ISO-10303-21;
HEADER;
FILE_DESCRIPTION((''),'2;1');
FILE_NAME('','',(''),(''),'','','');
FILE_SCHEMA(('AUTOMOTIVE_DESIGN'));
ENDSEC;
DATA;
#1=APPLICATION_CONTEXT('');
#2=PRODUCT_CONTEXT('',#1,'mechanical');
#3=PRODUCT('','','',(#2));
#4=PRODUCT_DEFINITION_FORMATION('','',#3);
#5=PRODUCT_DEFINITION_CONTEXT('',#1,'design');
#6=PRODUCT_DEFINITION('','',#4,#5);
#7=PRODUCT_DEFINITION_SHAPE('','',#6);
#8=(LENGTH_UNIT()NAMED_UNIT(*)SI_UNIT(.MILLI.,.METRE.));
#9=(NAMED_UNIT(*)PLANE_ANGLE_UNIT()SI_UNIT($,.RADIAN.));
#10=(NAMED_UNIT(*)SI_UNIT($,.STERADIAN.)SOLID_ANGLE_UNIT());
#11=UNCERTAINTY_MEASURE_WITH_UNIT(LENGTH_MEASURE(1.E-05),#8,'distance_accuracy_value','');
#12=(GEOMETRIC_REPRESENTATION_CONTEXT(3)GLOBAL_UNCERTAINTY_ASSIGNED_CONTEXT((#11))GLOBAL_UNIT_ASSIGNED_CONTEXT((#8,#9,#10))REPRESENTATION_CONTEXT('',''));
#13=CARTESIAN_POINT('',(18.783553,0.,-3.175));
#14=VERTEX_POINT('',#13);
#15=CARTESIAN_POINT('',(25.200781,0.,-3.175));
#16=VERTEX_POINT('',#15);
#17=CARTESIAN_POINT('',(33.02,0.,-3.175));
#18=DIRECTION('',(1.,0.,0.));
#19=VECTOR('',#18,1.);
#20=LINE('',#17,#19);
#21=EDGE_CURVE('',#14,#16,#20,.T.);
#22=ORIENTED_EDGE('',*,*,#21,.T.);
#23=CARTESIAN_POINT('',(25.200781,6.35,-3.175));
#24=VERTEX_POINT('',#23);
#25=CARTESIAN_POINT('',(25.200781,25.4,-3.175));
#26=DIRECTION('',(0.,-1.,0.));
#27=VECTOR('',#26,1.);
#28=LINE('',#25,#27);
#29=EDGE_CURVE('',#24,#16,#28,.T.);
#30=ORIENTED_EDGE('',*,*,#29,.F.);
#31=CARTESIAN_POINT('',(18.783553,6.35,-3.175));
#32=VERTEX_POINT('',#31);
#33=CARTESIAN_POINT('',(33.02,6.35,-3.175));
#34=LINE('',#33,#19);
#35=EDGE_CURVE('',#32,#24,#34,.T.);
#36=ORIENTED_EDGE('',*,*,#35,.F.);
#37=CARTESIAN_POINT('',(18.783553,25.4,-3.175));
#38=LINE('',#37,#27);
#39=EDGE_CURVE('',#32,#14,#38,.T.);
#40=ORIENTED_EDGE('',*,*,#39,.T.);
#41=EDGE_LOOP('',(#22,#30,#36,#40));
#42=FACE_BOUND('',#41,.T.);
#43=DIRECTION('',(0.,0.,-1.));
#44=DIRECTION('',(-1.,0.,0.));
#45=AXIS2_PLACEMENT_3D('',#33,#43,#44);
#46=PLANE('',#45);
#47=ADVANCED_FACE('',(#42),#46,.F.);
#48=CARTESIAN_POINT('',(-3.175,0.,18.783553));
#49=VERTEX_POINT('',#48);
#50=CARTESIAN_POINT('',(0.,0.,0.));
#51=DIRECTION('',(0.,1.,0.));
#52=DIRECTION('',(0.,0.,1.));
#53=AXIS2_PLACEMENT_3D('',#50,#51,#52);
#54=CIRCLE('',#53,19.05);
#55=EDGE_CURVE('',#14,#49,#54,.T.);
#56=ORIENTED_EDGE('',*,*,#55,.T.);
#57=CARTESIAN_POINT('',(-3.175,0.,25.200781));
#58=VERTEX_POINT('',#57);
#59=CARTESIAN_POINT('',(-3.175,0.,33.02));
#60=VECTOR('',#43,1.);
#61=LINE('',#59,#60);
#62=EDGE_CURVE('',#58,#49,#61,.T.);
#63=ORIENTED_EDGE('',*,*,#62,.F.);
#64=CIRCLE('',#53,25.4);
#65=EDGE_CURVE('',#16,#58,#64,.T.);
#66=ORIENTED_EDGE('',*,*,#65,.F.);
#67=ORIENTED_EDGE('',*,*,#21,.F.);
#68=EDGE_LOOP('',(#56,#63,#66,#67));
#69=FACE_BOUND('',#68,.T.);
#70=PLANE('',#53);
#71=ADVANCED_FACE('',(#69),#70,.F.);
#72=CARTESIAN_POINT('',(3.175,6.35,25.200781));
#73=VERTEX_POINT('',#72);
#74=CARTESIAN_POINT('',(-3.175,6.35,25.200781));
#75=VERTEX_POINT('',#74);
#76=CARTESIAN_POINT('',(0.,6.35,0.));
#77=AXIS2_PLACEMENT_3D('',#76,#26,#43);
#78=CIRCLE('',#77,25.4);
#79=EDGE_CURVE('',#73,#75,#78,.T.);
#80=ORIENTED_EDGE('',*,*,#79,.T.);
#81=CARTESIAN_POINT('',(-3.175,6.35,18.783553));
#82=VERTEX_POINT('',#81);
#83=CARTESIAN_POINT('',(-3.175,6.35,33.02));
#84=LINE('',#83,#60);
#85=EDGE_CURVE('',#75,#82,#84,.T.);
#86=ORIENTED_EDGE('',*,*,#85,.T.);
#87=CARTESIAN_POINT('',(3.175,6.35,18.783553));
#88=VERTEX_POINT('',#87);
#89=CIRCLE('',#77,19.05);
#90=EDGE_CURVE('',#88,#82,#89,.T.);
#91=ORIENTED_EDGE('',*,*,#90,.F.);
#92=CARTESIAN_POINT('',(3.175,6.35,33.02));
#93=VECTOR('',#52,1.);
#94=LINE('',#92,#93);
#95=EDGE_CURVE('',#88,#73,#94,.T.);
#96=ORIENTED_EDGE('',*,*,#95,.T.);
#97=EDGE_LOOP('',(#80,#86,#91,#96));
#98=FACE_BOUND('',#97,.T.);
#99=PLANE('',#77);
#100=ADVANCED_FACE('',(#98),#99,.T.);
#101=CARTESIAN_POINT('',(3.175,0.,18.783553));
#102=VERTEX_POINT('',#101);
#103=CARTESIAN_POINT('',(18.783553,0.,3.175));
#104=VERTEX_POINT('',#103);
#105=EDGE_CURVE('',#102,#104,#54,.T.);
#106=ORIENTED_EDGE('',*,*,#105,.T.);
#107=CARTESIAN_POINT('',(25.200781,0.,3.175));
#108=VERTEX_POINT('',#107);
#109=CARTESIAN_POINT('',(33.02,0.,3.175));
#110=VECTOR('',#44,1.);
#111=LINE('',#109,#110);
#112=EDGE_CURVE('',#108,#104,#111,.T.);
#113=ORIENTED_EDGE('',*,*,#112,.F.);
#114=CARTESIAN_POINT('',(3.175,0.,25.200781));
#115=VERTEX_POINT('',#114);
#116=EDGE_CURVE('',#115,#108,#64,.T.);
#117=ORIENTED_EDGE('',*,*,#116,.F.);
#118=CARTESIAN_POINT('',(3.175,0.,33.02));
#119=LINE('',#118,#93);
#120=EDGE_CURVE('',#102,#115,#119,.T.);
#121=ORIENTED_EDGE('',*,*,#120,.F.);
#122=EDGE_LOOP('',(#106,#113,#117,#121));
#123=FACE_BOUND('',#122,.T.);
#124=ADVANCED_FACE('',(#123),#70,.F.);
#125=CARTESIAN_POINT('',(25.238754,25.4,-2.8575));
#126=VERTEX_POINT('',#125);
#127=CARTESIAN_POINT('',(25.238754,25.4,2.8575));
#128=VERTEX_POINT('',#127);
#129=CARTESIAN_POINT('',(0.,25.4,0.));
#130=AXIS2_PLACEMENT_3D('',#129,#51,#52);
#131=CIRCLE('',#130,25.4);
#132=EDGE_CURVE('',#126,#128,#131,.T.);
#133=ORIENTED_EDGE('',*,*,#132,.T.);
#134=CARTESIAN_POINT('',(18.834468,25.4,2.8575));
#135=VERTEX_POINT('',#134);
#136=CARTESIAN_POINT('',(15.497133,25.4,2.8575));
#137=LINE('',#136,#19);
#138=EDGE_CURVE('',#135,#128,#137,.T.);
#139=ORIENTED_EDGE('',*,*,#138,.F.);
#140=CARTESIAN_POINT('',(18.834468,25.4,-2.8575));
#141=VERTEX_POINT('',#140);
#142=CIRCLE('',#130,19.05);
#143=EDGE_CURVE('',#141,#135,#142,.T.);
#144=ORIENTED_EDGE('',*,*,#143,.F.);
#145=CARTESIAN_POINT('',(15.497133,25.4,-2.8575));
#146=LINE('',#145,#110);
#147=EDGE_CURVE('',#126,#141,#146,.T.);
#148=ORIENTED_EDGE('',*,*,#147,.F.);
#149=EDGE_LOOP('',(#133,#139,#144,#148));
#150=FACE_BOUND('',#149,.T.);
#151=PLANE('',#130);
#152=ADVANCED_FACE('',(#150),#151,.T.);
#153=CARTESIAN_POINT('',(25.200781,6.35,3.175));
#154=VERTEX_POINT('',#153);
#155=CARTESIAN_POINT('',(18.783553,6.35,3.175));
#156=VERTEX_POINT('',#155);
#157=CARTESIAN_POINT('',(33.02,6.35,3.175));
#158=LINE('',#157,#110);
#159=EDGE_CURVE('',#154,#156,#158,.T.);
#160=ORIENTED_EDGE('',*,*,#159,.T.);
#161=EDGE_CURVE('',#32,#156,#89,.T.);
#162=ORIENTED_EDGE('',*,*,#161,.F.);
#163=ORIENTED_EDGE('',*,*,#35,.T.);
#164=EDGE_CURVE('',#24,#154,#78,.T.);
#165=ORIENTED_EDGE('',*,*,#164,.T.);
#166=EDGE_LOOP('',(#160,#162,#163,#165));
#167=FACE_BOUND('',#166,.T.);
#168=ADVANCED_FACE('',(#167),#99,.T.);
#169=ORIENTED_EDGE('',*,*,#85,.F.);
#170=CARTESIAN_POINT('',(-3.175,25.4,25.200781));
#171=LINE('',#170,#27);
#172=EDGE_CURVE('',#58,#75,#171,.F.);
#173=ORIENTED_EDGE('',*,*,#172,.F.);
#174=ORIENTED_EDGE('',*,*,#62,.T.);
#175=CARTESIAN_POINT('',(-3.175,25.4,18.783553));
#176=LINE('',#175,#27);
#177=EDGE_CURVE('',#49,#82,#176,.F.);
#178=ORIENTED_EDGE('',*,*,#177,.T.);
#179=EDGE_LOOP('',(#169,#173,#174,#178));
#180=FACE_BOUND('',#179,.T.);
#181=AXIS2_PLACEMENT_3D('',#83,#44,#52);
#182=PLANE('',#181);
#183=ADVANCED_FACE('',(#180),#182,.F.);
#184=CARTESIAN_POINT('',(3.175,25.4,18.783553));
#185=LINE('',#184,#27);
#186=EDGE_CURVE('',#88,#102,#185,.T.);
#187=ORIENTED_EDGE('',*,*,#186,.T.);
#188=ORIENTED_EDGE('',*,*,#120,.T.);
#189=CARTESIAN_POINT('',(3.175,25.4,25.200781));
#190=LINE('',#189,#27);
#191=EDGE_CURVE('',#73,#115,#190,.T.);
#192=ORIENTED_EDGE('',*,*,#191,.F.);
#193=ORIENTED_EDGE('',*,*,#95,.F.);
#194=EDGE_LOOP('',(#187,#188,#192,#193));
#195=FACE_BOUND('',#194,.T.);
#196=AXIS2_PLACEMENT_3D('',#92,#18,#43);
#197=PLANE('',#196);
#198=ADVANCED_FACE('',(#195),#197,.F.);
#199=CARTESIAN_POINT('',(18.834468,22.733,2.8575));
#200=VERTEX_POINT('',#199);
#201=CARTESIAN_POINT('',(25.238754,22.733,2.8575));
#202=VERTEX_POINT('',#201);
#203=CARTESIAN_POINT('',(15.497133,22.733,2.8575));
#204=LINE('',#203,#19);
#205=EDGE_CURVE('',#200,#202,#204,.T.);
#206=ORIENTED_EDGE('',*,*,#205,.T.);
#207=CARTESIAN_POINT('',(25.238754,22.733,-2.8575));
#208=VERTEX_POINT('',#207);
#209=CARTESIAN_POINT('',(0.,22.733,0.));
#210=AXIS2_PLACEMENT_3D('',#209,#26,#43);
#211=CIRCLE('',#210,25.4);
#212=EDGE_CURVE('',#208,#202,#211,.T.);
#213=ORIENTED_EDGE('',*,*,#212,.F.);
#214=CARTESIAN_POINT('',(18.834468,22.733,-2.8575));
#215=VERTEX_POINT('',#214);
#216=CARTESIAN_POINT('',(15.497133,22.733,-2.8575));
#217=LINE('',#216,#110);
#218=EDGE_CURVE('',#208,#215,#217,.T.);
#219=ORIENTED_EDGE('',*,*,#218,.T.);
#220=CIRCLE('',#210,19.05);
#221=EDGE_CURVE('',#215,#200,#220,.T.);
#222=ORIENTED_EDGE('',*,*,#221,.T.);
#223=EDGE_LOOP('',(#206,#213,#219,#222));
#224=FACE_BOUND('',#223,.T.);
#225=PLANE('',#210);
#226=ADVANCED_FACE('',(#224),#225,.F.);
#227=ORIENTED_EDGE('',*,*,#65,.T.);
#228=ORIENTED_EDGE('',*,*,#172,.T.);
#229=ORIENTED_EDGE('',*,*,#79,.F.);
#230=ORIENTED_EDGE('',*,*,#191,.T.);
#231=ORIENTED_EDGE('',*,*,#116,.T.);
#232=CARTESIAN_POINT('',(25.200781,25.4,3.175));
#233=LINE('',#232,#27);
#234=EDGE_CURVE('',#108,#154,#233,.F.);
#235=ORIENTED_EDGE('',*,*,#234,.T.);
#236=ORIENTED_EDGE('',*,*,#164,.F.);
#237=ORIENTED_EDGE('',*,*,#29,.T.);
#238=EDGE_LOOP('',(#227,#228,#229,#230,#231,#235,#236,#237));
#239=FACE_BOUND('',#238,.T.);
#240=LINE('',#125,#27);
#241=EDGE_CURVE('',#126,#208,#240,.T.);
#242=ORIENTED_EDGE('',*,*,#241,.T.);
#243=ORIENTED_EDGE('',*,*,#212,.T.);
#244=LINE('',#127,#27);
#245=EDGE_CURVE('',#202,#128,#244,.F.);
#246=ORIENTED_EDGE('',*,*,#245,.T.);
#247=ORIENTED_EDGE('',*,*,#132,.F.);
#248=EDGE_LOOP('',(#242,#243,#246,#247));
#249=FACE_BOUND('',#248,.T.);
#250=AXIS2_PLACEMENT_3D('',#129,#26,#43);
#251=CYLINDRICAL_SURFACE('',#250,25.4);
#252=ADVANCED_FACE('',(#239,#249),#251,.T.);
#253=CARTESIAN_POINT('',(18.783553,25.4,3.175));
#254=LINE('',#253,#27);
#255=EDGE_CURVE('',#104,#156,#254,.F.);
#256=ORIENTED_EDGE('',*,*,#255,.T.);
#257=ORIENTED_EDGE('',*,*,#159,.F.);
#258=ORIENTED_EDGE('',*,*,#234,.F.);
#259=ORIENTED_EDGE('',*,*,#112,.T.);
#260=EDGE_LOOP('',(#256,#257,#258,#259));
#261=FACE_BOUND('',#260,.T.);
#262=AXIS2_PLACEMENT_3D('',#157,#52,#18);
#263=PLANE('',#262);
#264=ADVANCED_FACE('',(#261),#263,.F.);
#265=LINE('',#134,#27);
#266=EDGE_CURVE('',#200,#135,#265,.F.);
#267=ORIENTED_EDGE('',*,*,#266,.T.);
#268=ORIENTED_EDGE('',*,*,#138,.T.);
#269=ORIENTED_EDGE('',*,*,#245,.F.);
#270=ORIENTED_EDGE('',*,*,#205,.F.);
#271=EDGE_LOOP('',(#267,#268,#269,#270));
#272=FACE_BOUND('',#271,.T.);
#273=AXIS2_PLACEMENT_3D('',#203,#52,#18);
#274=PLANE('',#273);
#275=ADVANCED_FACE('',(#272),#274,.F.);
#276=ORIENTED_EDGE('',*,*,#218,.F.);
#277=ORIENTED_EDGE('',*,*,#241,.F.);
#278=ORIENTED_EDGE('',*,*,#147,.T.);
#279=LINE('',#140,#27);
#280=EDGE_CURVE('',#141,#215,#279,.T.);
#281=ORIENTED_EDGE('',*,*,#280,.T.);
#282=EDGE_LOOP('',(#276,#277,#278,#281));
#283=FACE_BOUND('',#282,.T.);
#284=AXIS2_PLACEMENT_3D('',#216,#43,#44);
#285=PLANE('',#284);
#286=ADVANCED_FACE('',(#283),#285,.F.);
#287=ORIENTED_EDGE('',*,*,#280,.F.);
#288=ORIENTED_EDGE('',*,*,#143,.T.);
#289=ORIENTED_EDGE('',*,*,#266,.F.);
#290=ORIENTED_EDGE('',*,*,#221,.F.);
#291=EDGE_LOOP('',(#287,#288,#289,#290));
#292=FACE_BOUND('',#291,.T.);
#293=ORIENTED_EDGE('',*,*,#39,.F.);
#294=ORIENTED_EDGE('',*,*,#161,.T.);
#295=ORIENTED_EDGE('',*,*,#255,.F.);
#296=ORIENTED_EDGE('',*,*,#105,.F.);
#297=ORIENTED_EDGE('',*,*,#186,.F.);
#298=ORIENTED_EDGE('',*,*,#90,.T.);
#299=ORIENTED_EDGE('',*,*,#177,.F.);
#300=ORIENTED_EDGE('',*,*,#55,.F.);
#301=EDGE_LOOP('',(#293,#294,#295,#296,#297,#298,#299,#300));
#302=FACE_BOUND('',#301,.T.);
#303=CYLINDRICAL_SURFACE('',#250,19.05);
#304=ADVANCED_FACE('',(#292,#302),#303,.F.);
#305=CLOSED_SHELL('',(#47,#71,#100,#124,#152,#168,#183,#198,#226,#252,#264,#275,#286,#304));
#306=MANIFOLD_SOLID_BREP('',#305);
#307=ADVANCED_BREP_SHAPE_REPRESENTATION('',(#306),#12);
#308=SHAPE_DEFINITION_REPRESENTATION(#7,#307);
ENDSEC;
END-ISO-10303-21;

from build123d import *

# Parameters (mm, degrees)
SKETCH1_R           = 25.4
SKETCH1_R_2         = 19.05
BOSS_EXTRUDE1_DEPTH = 25.4
SKETCH2_W           = 15.24
SKETCH2_H           = 6.35
SKETCH2_W_2         = 6.35
SKETCH2_H_2         = 15.24
CUT_EXTRUDE1_DEPTH  = 6.35
SKETCH3_W           = 19.80573375
SKETCH3_H           = 5.715
CUT_EXTRUDE2_DEPTH  = 2.667


with BuildPart() as part:
    # Sketch1 → Boss-Extrude1 (new body)
    with BuildSketch(Plane(origin=(0, 0, 0), x_dir=(1, 0, 0), z_dir=(0, 1, 0))):
        with Locations(Location((0, 0, 0), (0, 0, 270))):
            Circle(SKETCH1_R)
        with Locations(Location((0, 0, 0), (0, 0, 270))):
            Circle(SKETCH1_R_2, mode=Mode.SUBTRACT)
    extrude(amount=BOSS_EXTRUDE1_DEPTH)

    # Sketch2 → Cut-Extrude1 (cut)
    with BuildSketch(Plane.XZ):
        with Locations((25.4, 0)):
            Rectangle(SKETCH2_W, SKETCH2_H)
        with Locations((0, 25.4)):
            Rectangle(SKETCH2_W_2, SKETCH2_H_2)
    extrude(amount=-CUT_EXTRUDE1_DEPTH, mode=Mode.SUBTRACT)

    # Sketch3 → Cut-Extrude2 (cut)
    with BuildSketch(Plane(origin=(0, 25.4, 0), x_dir=(1, 0, 0), z_dir=(0, 1, 0))):
        with Locations((25.4, 0)):
            Rectangle(SKETCH3_W, SKETCH3_H)
    extrude(amount=-CUT_EXTRUDE2_DEPTH, mode=Mode.SUBTRACT)


solid = part.part
